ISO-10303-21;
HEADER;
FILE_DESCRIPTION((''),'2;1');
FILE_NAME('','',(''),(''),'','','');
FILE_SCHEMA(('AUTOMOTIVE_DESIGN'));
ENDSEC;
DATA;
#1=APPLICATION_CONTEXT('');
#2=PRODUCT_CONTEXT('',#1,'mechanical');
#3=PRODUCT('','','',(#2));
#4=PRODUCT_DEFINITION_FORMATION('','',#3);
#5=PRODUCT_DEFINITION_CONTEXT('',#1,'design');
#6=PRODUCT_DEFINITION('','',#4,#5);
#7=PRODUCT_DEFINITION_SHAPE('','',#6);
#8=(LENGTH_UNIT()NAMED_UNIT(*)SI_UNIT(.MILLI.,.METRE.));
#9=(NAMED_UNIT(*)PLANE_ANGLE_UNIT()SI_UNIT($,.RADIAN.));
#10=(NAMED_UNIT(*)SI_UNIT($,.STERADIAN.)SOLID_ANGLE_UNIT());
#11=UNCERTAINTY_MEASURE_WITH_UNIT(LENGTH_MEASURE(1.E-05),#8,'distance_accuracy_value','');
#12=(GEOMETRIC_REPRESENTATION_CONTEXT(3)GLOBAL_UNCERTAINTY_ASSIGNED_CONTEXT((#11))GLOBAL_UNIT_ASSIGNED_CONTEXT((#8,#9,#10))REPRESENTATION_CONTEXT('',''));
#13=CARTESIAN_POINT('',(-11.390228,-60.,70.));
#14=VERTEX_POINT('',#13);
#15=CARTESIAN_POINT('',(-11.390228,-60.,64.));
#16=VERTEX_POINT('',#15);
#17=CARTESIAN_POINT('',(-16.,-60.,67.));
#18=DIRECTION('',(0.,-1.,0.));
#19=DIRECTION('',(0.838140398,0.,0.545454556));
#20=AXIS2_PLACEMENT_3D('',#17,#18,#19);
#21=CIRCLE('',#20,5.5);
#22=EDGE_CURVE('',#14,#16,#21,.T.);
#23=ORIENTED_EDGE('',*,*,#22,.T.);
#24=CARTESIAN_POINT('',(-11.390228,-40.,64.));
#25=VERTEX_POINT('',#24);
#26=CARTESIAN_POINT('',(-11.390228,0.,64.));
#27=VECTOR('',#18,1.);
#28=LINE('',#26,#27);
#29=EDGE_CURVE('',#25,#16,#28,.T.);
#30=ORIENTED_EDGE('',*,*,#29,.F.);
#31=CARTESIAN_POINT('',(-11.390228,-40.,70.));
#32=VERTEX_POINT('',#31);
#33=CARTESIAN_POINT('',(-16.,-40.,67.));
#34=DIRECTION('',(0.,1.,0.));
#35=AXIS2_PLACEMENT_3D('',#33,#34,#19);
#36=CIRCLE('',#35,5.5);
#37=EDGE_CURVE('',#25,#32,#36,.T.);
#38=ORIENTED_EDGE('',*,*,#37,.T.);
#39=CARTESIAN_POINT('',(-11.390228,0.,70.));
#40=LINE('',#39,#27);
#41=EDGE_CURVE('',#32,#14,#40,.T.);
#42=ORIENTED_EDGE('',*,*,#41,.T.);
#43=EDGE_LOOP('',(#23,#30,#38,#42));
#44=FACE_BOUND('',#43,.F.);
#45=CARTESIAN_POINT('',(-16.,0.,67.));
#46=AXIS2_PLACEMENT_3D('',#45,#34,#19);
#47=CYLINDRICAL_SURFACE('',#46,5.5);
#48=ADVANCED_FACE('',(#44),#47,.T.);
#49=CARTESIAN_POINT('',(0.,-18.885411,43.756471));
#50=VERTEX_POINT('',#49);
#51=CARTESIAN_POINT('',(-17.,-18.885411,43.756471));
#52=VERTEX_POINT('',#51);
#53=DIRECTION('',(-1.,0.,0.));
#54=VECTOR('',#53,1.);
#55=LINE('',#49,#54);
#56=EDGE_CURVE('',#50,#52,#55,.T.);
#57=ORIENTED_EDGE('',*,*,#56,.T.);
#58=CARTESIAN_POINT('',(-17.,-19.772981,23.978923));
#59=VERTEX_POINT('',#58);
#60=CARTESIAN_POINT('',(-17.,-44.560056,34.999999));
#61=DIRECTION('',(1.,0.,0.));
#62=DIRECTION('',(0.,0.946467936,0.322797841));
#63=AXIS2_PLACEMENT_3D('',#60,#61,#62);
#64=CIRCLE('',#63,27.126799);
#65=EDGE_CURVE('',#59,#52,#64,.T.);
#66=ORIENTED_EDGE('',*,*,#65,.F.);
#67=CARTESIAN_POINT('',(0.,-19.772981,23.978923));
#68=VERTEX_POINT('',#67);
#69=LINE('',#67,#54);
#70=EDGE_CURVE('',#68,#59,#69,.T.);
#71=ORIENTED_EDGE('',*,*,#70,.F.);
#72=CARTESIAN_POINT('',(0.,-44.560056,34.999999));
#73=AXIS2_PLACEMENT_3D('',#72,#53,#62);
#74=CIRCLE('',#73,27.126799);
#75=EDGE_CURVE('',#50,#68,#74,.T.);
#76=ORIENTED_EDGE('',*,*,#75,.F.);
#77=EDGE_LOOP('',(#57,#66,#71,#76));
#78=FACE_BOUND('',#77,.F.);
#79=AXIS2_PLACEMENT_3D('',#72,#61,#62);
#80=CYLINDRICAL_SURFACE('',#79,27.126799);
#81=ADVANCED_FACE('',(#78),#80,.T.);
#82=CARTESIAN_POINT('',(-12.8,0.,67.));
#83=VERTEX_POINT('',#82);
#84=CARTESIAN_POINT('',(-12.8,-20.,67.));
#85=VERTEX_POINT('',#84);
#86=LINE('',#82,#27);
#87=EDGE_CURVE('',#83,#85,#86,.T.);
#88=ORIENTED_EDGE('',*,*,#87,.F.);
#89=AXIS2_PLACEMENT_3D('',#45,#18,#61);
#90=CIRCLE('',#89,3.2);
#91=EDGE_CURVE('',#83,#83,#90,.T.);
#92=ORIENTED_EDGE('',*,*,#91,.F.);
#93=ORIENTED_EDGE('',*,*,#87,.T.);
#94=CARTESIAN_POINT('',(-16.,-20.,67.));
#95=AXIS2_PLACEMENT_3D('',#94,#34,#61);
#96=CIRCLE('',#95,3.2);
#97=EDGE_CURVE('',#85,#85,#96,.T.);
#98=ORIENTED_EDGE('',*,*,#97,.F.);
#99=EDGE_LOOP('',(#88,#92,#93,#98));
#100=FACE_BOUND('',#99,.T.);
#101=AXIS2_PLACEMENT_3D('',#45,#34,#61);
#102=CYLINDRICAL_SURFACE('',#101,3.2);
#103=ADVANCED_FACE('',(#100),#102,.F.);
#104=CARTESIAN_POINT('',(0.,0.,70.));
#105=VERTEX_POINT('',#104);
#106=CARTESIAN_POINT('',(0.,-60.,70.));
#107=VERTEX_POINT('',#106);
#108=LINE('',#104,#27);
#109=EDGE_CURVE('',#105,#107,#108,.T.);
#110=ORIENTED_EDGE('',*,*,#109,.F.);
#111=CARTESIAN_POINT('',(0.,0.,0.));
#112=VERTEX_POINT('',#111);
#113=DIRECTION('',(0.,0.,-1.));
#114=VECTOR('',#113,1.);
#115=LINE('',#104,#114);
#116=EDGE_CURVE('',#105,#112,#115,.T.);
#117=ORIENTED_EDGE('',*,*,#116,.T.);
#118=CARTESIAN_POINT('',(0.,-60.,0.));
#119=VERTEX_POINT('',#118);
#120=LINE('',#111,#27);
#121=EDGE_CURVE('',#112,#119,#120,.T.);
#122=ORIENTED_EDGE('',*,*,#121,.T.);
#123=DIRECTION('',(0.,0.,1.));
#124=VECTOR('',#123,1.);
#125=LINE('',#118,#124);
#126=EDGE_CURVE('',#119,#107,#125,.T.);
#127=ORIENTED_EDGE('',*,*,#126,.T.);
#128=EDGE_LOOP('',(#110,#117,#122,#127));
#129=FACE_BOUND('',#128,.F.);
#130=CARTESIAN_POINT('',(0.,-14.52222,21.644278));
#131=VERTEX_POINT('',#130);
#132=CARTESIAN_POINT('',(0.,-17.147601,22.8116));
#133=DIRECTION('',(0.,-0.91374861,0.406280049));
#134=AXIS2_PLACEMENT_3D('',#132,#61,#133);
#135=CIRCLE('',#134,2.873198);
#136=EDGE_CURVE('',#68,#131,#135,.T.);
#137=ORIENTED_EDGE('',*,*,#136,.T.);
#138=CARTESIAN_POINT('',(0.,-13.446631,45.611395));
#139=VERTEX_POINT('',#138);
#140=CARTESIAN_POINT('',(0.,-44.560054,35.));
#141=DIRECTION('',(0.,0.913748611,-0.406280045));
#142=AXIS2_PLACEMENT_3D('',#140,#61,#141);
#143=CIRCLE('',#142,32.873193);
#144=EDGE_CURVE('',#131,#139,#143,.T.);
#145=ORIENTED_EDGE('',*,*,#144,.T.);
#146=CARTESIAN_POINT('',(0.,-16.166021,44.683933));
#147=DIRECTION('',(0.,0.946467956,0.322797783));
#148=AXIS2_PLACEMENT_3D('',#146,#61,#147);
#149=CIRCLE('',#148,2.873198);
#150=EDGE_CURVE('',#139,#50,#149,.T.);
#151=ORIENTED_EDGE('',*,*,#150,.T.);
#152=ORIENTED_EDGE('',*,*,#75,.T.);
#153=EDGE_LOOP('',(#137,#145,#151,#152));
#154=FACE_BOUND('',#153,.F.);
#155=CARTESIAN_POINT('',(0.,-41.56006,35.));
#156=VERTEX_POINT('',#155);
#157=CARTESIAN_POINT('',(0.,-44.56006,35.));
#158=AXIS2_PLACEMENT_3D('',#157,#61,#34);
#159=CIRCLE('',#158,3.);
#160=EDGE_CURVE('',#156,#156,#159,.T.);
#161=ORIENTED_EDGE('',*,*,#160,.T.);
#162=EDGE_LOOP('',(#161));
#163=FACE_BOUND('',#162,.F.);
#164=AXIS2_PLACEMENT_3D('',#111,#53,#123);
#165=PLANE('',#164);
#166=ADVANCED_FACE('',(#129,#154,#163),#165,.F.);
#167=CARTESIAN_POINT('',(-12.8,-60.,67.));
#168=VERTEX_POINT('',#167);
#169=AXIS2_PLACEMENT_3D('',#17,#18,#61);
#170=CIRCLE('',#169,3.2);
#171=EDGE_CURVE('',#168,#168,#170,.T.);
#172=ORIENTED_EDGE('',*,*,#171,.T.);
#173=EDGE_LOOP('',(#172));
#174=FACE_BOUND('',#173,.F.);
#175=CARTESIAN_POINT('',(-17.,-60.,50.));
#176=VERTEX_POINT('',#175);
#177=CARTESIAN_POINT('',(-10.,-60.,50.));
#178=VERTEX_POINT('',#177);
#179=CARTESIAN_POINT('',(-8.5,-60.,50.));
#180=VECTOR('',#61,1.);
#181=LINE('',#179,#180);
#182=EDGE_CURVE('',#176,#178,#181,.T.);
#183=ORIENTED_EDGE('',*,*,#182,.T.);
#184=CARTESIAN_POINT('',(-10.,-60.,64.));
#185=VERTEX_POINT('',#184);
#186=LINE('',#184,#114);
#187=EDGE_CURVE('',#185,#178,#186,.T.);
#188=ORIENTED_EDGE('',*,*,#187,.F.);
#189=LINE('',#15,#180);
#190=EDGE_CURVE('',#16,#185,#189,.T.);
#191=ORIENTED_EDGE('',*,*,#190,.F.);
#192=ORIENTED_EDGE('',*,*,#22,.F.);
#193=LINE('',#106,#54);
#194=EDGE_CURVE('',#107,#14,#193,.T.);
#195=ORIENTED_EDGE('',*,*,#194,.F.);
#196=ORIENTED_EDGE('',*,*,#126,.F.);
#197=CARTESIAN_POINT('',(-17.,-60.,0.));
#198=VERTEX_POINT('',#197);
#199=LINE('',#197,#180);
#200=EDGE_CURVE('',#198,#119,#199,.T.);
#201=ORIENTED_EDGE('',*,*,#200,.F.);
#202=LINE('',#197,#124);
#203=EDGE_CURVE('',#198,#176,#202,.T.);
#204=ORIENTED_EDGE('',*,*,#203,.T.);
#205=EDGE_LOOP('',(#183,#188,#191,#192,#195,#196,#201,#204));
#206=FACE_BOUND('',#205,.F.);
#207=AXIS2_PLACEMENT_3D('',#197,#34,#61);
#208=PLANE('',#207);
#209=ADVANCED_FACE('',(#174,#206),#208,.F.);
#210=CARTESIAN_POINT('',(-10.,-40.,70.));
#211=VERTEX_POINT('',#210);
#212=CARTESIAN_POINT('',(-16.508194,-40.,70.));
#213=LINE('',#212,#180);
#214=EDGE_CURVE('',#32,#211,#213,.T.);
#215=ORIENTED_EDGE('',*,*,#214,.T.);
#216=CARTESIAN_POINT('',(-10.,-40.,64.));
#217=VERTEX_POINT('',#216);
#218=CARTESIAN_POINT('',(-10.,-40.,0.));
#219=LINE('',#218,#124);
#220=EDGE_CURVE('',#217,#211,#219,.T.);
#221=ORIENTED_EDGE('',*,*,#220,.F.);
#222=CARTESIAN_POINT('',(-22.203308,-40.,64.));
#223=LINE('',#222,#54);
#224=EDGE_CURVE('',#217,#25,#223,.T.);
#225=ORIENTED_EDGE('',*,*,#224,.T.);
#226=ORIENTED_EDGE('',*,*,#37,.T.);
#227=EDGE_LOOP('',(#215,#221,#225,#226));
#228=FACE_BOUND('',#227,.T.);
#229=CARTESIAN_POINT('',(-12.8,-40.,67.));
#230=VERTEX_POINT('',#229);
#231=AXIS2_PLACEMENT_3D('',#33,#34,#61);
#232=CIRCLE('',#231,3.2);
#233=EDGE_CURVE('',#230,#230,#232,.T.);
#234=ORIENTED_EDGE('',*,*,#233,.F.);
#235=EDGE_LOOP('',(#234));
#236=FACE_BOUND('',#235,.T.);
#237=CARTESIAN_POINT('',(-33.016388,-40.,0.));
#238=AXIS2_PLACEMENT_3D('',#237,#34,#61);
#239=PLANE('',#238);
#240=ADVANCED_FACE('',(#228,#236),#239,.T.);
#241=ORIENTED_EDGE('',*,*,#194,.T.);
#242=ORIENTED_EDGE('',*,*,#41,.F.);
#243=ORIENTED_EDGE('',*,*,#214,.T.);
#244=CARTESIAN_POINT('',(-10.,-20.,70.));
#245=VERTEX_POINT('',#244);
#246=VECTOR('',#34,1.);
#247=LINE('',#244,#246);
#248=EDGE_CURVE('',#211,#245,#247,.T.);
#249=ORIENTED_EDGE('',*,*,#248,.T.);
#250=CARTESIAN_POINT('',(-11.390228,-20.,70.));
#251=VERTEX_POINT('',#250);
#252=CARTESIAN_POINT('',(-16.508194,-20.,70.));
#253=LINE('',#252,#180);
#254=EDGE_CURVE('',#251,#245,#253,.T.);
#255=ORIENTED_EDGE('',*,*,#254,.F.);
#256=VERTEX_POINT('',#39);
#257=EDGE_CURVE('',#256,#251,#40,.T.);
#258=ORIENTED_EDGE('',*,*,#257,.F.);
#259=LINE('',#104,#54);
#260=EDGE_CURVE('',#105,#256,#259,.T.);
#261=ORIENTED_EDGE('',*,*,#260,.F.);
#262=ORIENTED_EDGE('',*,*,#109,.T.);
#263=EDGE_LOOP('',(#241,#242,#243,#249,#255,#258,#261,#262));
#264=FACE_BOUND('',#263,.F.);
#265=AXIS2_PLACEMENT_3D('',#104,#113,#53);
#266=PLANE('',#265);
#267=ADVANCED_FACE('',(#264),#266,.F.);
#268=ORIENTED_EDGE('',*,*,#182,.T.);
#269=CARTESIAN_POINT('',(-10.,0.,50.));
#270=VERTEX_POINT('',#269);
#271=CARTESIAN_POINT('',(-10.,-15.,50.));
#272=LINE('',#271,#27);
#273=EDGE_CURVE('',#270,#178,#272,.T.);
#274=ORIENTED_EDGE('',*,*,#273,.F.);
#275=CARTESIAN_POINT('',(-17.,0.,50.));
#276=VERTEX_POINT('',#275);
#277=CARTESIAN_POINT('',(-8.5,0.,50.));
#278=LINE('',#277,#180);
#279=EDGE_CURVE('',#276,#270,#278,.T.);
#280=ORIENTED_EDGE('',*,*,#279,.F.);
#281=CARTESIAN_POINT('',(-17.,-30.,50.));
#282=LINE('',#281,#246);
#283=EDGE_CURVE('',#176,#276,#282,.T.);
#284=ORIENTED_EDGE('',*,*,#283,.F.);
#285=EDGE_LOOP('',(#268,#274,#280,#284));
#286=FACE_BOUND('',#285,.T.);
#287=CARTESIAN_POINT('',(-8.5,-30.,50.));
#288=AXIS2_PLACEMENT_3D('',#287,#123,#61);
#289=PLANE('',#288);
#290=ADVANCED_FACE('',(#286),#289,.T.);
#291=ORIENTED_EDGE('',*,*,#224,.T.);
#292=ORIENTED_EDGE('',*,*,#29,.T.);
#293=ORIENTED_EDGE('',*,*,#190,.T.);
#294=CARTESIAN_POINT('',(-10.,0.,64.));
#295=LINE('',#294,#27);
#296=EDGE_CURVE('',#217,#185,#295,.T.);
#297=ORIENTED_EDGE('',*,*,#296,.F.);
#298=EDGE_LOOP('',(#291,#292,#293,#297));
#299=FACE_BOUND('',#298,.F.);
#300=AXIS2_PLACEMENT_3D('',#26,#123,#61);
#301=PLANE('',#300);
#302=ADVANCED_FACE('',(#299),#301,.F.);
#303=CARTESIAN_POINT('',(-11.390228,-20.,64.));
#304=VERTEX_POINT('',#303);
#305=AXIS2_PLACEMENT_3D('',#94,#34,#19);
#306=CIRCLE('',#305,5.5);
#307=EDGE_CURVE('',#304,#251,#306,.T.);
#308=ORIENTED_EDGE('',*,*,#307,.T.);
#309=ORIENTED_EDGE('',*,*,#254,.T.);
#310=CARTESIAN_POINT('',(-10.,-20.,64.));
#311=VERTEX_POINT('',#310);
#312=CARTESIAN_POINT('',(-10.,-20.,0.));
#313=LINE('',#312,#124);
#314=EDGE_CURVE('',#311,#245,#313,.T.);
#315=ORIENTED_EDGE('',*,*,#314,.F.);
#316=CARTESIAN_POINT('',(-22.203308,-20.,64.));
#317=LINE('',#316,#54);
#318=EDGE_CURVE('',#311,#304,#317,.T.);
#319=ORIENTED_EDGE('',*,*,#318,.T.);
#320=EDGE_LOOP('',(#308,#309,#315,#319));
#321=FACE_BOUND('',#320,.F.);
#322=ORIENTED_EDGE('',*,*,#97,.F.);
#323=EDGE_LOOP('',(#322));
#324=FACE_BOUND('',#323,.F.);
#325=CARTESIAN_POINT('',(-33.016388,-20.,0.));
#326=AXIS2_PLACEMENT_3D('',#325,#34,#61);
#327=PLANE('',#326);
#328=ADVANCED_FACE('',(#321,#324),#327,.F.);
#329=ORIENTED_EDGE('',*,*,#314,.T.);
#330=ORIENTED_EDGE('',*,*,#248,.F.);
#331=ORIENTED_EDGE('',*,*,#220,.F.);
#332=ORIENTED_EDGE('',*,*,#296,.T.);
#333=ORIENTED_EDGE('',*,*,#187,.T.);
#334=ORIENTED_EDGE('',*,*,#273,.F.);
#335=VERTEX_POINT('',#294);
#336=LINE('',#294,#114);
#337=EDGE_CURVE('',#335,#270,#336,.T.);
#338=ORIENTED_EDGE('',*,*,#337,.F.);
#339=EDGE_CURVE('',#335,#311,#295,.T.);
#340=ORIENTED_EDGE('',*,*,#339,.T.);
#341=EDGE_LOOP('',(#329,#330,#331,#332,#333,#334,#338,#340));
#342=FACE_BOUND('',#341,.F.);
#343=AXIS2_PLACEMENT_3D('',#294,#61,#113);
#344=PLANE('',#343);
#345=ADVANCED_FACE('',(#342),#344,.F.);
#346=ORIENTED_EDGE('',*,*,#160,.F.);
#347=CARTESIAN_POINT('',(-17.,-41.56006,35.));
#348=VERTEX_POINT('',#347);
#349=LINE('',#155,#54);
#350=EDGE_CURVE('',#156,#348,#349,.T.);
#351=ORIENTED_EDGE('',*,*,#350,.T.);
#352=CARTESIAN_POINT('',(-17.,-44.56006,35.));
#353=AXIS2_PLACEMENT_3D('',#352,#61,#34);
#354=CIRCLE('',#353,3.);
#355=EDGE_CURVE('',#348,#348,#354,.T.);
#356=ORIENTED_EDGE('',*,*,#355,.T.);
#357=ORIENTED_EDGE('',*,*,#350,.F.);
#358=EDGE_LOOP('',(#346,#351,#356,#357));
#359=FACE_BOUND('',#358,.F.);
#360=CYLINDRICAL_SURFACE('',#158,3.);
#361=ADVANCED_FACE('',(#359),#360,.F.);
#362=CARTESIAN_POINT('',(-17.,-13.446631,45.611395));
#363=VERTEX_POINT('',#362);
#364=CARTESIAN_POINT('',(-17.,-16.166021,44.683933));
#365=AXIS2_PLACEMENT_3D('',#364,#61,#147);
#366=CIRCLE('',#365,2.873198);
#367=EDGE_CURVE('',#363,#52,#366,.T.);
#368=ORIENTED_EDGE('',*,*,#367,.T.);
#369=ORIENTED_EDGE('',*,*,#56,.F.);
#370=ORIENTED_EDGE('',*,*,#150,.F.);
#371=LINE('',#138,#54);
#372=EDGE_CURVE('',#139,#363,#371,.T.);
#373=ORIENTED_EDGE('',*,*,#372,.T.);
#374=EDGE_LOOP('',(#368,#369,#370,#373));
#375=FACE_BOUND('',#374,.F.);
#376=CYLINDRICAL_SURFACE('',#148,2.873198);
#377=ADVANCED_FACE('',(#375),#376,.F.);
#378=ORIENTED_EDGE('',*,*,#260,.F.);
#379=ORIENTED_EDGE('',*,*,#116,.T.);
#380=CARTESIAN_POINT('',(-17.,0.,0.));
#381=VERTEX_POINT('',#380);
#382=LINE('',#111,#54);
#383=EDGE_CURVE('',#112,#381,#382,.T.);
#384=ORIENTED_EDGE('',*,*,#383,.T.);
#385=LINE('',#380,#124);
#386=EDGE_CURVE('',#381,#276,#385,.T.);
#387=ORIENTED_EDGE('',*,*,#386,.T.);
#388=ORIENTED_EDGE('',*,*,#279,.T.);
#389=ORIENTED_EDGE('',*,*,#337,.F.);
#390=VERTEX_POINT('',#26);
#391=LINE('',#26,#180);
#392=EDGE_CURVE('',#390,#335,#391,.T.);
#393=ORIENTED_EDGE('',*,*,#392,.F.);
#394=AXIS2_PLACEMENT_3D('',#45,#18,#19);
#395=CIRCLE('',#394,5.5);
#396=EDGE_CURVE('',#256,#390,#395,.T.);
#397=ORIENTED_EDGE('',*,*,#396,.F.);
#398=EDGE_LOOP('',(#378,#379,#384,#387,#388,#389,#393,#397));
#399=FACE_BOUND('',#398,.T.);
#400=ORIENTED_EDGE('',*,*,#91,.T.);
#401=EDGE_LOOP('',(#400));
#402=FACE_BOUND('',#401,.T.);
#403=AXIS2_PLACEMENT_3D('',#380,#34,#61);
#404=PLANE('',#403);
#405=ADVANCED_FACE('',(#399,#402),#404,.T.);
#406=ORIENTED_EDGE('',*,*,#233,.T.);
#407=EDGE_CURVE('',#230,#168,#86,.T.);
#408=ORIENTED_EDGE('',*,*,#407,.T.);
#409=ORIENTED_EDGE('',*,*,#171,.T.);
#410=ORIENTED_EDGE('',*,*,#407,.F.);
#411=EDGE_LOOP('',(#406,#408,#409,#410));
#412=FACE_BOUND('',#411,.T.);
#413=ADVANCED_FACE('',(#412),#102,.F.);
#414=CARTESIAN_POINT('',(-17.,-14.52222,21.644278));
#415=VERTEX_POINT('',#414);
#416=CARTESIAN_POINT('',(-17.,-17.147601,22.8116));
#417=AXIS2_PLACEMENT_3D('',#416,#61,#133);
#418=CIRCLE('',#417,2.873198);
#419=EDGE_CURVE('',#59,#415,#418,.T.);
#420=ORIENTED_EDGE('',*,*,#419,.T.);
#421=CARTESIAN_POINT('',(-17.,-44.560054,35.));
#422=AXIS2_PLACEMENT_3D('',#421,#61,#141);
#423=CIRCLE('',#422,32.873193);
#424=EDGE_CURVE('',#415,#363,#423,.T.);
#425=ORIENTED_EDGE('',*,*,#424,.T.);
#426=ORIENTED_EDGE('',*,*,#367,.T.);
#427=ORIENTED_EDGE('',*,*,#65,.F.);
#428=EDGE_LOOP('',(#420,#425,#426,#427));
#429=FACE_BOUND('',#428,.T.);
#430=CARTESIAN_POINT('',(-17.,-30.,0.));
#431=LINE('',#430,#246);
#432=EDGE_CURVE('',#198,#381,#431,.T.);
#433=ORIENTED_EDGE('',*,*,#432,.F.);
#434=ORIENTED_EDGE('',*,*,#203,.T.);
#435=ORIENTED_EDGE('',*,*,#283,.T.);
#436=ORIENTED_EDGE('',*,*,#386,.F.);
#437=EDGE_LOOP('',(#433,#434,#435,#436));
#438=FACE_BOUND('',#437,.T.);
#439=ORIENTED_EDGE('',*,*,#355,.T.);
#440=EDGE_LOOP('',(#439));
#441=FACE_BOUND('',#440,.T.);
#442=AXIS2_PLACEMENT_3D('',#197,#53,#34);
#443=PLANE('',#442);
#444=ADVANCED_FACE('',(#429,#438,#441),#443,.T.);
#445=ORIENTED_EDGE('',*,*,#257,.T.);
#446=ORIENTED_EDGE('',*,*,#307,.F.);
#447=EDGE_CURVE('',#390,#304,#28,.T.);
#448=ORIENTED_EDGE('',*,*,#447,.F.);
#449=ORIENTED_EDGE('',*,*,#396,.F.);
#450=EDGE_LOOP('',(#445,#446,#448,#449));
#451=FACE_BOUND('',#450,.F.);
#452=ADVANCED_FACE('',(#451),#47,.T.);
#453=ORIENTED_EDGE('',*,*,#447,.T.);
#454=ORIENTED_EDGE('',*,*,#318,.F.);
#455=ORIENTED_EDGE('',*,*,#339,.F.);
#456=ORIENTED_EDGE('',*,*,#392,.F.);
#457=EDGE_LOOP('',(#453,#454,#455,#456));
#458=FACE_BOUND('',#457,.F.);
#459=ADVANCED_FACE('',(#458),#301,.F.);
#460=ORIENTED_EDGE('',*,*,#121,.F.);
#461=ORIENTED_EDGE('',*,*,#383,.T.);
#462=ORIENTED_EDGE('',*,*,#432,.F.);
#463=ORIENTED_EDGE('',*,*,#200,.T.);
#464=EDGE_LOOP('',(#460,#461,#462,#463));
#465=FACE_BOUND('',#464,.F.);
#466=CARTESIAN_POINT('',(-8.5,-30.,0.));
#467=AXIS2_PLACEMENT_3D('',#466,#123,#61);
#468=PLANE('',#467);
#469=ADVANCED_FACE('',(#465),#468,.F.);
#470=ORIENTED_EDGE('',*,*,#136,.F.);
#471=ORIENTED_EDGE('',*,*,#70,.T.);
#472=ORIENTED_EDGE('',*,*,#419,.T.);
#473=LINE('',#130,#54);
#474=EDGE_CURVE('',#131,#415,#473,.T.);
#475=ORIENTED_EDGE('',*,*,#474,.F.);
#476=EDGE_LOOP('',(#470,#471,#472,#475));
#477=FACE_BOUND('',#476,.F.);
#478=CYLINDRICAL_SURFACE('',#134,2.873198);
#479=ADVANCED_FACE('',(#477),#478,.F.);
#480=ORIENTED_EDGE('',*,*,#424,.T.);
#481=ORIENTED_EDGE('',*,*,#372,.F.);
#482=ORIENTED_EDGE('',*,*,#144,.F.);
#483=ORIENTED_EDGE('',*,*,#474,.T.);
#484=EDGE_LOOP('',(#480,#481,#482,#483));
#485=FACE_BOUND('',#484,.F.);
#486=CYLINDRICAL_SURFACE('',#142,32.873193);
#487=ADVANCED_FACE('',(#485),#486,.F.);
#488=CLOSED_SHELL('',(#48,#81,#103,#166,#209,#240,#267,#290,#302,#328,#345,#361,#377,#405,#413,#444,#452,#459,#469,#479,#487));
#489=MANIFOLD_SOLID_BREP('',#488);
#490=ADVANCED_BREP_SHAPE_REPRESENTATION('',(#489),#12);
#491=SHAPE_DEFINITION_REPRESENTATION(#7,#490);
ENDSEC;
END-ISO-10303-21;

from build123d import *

# Parameters (mm, degrees)
F0_R     = 3.2
F1_DEPTH = 60
F2_W     = 23.016388
F2_H     = 20
F3_DEPTH = 72.501
F4_W     = 17
F4_H     = 60
F5_DEPTH = 50
F6_R     = 3
F7_DEPTH = 25


with BuildPart() as f1:
    # F0 (on Front) → F1 (new body)
    with BuildSketch(Plane.XZ):
        with BuildLine():
            Line((-10, 64), (-10, 0))
            Line((-10, 0), (0, 0))
            Line((0, 0), (0, 70))
            Line((0, 70), (-11.390228, 70))
            ThreePointArc((-11.390228, 70), (-21.5, 67), (-11.390228, 64))
            Line((-11.390228, 64), (-10, 64))
        make_face()
        with Locations((-16, 67)):
            Circle(F0_R, mode=Mode.SUBTRACT)
    extrude(amount=F1_DEPTH)

    # F2 (on Top) → F3 (cut, through all)
    with BuildSketch(Plane.XY):
        with Locations((-21.508194, -30)):
            Rectangle(F2_W, F2_H)
    extrude(amount=F3_DEPTH, mode=Mode.SUBTRACT)

    # F4 (on Top) → F5 (join)
    with BuildSketch(Plane.XY):
        with Locations((-8.5, -30)):
            Rectangle(F4_W, F4_H)
    extrude(amount=F5_DEPTH)

    # F6 (on face) → F7 (cut)
    with BuildSketch(Plane.YZ):
        with Locations((-44.56006, 35)):
            Circle(F6_R)
        with BuildLine():
            ThreePointArc((-18.885411, 43.756471), (-17.460533, 33.783836), (-19.772981, 23.978923))
            ThreePointArc((-19.772981, 23.978923), (-18.314924, 20.18622), (-14.52222, 21.644278))
            ThreePointArc((-14.52222, 21.644278), (-11.719915, 33.52621), (-13.446631, 45.611395))
            ThreePointArc((-13.446631, 45.611395), (-17.093483, 47.403323), (-18.885411, 43.756471))
        make_face()
    extrude(amount=-F7_DEPTH, mode=Mode.SUBTRACT)


solid = f1.part
